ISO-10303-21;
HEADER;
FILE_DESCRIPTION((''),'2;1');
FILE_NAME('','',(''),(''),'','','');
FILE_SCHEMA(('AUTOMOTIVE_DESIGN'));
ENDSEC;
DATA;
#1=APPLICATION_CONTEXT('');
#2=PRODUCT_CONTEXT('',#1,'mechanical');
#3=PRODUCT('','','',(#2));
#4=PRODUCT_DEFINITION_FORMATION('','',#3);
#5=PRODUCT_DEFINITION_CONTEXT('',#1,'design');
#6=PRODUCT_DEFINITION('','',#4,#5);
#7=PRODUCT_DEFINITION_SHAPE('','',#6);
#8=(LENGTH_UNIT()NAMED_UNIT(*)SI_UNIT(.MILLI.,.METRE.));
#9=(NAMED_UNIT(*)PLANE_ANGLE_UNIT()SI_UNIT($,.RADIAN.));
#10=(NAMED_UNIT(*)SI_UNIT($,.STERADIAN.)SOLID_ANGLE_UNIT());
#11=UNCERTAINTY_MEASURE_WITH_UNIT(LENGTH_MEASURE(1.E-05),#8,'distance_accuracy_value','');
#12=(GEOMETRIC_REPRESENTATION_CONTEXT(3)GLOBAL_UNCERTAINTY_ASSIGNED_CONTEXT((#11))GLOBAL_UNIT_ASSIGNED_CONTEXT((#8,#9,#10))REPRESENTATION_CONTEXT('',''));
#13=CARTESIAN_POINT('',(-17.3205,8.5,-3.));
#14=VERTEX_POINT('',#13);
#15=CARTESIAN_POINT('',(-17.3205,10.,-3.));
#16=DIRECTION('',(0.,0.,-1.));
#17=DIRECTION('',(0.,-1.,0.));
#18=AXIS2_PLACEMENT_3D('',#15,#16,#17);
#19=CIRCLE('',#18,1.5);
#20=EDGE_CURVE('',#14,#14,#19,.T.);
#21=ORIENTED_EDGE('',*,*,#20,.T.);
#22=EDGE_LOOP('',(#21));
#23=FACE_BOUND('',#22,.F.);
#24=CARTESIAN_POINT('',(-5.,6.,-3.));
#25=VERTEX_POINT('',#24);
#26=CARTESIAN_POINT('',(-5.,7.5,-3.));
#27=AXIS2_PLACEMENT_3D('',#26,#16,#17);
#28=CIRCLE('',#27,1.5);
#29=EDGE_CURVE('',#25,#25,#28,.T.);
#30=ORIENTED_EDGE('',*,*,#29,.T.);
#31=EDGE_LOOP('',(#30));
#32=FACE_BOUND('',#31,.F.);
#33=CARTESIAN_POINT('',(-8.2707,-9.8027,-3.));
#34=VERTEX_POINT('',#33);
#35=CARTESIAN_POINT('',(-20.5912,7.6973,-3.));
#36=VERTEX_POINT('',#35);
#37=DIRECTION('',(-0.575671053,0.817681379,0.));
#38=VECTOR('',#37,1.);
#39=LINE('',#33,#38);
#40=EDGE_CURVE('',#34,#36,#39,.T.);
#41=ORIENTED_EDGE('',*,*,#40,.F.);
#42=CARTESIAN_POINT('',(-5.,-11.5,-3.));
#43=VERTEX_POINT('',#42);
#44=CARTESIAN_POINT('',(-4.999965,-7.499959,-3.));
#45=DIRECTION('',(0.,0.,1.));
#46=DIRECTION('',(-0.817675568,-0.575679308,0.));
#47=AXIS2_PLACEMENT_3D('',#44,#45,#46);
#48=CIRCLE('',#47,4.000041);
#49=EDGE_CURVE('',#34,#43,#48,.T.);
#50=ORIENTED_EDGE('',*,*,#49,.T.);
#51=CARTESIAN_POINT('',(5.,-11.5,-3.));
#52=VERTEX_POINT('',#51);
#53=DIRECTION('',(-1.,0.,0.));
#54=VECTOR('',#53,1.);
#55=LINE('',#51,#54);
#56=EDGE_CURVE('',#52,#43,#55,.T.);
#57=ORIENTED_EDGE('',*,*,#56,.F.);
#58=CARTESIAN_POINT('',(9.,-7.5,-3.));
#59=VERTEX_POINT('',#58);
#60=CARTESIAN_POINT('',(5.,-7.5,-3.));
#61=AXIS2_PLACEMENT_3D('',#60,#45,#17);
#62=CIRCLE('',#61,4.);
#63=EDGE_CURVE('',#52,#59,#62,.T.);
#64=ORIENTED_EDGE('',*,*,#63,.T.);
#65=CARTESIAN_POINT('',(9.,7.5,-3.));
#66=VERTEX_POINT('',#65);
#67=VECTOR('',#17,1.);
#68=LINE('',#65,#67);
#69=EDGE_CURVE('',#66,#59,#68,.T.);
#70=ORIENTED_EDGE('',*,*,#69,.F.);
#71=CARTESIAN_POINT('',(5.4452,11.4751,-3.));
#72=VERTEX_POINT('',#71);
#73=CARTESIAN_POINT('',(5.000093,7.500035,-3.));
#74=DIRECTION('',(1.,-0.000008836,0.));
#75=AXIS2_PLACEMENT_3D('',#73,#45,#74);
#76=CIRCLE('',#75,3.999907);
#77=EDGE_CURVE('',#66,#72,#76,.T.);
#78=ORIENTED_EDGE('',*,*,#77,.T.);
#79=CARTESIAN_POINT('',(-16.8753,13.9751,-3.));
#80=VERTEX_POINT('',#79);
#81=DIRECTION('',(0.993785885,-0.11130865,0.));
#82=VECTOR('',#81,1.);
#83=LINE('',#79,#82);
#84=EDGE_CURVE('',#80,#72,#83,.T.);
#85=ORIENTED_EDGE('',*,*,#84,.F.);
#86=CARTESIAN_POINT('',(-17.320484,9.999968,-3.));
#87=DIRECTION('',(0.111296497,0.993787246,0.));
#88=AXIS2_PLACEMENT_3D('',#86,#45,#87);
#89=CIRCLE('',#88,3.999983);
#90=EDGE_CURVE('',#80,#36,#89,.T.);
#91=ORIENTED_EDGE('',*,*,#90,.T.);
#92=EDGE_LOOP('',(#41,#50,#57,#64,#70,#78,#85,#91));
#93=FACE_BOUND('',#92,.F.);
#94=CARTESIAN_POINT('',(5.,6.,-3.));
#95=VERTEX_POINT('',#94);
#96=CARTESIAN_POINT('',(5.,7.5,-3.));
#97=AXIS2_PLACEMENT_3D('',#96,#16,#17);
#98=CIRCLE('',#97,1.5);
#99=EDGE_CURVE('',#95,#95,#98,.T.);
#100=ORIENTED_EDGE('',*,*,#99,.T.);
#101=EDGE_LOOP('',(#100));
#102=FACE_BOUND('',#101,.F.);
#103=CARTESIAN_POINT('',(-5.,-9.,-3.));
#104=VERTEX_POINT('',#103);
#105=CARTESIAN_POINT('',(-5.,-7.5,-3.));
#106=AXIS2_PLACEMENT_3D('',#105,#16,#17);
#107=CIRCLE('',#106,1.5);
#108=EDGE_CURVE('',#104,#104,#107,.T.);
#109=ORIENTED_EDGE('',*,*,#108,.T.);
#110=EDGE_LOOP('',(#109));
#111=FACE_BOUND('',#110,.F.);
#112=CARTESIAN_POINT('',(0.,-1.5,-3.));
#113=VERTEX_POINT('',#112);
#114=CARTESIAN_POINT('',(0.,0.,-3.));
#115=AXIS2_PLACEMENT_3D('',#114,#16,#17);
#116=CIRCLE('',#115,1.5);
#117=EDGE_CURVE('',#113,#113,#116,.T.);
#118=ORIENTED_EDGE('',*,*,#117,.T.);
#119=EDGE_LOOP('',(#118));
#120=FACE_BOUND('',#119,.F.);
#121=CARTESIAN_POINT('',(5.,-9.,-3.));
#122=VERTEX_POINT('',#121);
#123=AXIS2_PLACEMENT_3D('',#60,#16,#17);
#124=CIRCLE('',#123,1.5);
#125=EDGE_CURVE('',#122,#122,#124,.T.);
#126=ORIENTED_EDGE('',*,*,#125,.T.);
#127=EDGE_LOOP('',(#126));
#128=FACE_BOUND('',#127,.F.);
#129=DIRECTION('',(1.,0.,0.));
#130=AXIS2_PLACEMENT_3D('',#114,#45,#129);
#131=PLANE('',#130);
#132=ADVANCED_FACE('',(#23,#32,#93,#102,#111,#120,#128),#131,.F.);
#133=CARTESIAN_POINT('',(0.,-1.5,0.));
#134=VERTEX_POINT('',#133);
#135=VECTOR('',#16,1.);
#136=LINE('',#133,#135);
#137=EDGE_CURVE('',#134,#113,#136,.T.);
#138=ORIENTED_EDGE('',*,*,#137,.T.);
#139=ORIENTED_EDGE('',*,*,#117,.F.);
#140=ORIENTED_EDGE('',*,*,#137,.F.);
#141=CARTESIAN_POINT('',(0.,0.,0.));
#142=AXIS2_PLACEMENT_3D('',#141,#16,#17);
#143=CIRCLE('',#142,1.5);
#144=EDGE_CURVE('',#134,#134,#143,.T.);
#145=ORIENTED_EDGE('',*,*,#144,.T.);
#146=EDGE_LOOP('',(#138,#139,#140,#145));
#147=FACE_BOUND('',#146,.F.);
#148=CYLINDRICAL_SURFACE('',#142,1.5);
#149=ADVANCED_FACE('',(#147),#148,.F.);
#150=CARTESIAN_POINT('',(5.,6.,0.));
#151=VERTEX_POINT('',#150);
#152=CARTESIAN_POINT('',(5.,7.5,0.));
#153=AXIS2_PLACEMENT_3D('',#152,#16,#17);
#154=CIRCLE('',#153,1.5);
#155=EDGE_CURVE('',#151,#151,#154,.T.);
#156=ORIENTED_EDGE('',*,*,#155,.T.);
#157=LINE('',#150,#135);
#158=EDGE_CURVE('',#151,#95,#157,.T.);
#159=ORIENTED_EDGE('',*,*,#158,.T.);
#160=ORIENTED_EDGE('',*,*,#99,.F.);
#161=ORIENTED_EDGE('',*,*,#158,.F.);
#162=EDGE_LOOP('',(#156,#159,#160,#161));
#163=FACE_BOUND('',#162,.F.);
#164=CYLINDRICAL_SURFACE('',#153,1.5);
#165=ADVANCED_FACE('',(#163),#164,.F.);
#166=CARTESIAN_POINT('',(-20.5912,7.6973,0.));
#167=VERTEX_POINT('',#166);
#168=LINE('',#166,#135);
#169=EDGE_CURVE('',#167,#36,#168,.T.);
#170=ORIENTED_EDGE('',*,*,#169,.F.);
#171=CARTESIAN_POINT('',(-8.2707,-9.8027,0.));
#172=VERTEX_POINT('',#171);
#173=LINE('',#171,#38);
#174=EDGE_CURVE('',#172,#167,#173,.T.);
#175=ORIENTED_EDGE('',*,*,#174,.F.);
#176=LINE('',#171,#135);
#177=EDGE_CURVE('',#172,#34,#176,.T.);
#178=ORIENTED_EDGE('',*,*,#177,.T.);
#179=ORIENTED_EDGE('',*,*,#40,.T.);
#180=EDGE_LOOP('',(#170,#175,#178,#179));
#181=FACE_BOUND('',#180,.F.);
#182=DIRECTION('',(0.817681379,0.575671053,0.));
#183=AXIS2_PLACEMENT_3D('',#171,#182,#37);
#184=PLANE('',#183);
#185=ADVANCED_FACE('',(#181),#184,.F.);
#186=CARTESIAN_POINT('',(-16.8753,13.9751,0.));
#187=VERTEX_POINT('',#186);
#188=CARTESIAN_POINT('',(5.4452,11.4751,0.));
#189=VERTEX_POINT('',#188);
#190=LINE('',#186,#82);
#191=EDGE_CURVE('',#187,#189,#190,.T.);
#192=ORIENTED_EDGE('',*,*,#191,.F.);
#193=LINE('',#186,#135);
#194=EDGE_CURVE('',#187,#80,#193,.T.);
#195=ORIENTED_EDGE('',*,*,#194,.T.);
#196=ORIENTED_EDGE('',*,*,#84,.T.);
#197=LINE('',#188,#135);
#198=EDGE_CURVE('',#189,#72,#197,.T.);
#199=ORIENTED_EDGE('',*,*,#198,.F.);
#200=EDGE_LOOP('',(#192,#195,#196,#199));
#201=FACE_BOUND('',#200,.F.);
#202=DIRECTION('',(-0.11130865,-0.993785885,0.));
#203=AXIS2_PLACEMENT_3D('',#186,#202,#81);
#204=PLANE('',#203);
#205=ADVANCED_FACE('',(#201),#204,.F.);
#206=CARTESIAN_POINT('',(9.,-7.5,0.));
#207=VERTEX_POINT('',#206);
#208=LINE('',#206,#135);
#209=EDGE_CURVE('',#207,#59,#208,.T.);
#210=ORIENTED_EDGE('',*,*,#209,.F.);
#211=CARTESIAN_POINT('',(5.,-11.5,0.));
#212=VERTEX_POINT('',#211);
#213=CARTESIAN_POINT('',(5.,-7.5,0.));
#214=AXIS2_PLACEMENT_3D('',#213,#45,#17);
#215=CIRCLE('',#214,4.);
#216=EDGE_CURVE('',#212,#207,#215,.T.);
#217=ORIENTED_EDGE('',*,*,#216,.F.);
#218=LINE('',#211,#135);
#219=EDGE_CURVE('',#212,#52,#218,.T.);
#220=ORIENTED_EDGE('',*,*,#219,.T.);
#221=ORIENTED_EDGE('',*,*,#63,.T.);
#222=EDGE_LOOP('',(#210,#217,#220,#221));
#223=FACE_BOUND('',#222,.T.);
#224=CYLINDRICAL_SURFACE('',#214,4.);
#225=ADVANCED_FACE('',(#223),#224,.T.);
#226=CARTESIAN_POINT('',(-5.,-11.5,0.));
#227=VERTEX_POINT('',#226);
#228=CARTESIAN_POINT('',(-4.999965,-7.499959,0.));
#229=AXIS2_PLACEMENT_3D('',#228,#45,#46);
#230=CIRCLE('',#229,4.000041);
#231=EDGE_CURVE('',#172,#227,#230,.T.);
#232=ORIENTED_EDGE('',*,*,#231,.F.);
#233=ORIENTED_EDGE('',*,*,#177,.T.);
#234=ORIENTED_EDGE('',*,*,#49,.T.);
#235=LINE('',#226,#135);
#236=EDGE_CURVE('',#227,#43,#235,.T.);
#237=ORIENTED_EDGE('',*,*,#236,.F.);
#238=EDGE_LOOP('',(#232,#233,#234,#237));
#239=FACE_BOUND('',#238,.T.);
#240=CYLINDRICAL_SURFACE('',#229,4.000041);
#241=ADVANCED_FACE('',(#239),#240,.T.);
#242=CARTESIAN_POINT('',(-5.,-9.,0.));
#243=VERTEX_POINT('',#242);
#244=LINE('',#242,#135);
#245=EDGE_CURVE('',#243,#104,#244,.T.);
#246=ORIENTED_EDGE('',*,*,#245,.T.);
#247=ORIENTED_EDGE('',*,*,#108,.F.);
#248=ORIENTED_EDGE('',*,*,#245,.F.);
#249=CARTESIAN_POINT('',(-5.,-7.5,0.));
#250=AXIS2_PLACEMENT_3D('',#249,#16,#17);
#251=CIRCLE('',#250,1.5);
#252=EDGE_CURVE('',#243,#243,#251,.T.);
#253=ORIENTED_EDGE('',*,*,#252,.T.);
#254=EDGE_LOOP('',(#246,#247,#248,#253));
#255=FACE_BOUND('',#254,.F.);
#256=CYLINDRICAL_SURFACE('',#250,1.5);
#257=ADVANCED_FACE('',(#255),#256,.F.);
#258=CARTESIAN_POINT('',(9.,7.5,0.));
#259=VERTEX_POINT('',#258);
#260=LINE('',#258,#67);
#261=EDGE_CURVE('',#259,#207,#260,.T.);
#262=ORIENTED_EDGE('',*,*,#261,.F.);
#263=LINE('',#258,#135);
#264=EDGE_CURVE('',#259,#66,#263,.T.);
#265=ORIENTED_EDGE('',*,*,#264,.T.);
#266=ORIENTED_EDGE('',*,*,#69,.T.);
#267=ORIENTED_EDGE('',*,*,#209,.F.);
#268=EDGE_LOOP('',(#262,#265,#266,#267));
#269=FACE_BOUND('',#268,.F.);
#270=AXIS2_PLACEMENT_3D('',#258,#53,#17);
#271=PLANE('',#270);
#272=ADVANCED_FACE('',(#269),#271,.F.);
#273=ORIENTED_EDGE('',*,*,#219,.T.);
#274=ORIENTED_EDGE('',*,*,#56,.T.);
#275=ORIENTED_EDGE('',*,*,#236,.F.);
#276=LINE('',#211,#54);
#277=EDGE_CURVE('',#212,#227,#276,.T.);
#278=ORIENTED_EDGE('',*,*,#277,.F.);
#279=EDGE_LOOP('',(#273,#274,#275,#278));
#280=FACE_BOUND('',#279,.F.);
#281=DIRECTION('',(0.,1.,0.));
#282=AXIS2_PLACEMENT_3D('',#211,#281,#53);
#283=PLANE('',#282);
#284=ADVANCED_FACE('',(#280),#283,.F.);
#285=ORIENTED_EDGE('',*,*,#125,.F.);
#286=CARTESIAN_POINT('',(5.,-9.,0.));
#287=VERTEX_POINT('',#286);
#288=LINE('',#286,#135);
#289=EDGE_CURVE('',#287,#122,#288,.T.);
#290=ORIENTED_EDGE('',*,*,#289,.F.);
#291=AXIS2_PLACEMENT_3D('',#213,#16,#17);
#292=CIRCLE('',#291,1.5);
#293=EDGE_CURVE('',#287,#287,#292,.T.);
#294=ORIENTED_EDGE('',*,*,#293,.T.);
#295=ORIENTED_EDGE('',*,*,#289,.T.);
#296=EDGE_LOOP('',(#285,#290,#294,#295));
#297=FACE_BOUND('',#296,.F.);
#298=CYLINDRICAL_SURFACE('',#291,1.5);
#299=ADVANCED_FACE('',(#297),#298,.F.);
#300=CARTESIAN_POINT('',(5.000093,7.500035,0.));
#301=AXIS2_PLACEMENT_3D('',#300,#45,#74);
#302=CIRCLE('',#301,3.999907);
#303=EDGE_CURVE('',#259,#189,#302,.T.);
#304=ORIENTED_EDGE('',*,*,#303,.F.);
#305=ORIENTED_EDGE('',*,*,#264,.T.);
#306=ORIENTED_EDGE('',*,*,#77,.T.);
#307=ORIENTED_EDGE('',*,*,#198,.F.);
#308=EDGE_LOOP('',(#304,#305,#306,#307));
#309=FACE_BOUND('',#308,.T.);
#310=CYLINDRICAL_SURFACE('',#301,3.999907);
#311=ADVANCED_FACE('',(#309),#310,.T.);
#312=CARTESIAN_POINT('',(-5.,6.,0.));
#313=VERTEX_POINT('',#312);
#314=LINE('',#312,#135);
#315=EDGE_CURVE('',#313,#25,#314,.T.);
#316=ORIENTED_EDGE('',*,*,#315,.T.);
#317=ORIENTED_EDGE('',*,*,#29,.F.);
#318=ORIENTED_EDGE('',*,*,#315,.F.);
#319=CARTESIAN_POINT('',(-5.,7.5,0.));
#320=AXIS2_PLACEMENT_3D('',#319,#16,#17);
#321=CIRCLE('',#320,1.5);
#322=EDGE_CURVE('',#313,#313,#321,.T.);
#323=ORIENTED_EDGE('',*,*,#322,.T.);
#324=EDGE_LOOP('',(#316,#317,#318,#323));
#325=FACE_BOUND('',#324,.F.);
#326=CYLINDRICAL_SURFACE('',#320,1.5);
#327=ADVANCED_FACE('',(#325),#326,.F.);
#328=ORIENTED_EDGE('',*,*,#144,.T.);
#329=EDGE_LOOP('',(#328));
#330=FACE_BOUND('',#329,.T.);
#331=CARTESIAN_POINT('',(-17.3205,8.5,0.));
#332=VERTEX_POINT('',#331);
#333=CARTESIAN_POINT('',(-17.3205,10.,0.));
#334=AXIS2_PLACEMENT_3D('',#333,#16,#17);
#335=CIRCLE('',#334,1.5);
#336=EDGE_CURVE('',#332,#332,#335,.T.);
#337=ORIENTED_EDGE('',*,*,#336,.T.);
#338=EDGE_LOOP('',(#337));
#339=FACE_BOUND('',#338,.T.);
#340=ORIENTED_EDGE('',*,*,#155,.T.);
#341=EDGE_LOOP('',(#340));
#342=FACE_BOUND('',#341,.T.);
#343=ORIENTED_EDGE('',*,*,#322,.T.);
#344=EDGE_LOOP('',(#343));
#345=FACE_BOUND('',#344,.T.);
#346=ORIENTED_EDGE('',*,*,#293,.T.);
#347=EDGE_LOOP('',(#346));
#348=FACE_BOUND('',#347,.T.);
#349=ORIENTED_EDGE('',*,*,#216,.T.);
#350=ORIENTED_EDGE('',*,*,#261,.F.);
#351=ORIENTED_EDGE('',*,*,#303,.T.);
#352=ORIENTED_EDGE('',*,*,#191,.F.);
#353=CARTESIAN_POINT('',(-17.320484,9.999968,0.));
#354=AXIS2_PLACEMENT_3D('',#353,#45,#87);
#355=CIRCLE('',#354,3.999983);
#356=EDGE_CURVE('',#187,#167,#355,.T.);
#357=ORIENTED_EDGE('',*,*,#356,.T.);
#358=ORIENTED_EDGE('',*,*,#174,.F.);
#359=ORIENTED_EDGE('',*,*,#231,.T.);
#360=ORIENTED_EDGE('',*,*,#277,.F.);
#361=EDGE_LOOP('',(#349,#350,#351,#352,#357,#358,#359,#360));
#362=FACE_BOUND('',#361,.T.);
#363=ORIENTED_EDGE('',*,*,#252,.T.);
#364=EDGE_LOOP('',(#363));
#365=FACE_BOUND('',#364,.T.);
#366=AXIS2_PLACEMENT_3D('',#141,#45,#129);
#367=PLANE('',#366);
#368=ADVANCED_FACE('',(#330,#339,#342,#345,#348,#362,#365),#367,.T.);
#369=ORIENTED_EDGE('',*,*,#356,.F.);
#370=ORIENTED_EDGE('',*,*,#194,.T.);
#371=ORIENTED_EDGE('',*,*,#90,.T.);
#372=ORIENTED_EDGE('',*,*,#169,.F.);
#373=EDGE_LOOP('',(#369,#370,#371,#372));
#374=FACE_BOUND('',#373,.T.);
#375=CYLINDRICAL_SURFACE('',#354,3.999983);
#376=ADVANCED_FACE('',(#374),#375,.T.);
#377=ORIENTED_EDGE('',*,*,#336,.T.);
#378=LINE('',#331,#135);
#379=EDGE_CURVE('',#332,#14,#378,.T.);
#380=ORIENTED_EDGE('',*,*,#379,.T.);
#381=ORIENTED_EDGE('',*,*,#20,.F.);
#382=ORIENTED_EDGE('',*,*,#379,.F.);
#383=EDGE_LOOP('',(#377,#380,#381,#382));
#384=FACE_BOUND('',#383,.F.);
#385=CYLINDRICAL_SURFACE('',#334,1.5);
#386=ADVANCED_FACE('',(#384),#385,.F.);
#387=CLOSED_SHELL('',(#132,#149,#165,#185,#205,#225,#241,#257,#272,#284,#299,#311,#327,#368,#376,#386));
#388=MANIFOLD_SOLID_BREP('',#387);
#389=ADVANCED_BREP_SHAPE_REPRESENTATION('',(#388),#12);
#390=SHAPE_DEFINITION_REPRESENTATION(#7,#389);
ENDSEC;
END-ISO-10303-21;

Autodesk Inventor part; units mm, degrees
ref_plane "YZ Plane" through (0, 0, 0) normal (1, 0, 0) x (0, 1, 0)
ref_plane "XZ Plane" through (0, 0, 0) normal (0, 1, 0) x (-1, 0, 0)
ref_plane "XY Plane" through (0, 0, 0) normal (0, 0, 1) x (1, 0, 0)
sketch "Sketch1" plane through (0, 0, 0) normal (0, 0, 1) x (1, 0, 0)
  line L0 (0, 0) -> (-17.3205, 10) construction
  line L1 (5, -7.5) -> (-5, -7.5) construction
  line L2 (-5, -7.5) -> (-5, 7.5) construction
  line L3 (-5, 7.5) -> (5, 7.5) construction
  line L4 (5, 7.5) -> (5, -7.5) construction
  line L5 (5, -7.5) -> (-5, 7.5) construction
  line L6 (-5, -7.5) -> (5, 7.5) construction
  line L7 (-16.8753, 13.9751) -> (5.4452, 11.4751)
  arc A0 (9, 7.5) -> (5.4452, 11.4751) centre (5, 7.5) ccw
  line L8 (9, 7.5) -> (9, -7.5)
  arc A1 (5, -11.5) -> (9, -7.5) centre (5, -7.5) ccw
  line L9 (5, -11.5) -> (-5, -11.5)
  arc A2 (-8.2707, -9.8027) -> (-5, -11.5) centre (-5, -7.5) ccw
  line L10 (-8.2707, -9.8027) -> (-20.5912, 7.6973)
  arc A3 (-16.8753, 13.9751) -> (-20.5912, 7.6973) centre (-17.3205, 10) ccw
  dimension "d0" = 10
  dimension "d1" = 15
  dimension "d2" = 20
  dimension "d3" = 30
  dimension "d4" = 4
extrude "Extrusion1" add sketch "Sketch1" against normal blind 3
hole "Hole1" at (-17.3205, 10, 0) at (-5, 7.5, 0) at (5, 7.5, 0) at (5, -7.5, 0) at (-5, -7.5, 0) direction (0, 0, -1) diameter 3 depth 8 tip angle 118
hole "Hole2" at (0, 0, 0) direction (0, 0, -1) diameter 3 depth 8 tip angle 118
properties part number "LegBase_back"
